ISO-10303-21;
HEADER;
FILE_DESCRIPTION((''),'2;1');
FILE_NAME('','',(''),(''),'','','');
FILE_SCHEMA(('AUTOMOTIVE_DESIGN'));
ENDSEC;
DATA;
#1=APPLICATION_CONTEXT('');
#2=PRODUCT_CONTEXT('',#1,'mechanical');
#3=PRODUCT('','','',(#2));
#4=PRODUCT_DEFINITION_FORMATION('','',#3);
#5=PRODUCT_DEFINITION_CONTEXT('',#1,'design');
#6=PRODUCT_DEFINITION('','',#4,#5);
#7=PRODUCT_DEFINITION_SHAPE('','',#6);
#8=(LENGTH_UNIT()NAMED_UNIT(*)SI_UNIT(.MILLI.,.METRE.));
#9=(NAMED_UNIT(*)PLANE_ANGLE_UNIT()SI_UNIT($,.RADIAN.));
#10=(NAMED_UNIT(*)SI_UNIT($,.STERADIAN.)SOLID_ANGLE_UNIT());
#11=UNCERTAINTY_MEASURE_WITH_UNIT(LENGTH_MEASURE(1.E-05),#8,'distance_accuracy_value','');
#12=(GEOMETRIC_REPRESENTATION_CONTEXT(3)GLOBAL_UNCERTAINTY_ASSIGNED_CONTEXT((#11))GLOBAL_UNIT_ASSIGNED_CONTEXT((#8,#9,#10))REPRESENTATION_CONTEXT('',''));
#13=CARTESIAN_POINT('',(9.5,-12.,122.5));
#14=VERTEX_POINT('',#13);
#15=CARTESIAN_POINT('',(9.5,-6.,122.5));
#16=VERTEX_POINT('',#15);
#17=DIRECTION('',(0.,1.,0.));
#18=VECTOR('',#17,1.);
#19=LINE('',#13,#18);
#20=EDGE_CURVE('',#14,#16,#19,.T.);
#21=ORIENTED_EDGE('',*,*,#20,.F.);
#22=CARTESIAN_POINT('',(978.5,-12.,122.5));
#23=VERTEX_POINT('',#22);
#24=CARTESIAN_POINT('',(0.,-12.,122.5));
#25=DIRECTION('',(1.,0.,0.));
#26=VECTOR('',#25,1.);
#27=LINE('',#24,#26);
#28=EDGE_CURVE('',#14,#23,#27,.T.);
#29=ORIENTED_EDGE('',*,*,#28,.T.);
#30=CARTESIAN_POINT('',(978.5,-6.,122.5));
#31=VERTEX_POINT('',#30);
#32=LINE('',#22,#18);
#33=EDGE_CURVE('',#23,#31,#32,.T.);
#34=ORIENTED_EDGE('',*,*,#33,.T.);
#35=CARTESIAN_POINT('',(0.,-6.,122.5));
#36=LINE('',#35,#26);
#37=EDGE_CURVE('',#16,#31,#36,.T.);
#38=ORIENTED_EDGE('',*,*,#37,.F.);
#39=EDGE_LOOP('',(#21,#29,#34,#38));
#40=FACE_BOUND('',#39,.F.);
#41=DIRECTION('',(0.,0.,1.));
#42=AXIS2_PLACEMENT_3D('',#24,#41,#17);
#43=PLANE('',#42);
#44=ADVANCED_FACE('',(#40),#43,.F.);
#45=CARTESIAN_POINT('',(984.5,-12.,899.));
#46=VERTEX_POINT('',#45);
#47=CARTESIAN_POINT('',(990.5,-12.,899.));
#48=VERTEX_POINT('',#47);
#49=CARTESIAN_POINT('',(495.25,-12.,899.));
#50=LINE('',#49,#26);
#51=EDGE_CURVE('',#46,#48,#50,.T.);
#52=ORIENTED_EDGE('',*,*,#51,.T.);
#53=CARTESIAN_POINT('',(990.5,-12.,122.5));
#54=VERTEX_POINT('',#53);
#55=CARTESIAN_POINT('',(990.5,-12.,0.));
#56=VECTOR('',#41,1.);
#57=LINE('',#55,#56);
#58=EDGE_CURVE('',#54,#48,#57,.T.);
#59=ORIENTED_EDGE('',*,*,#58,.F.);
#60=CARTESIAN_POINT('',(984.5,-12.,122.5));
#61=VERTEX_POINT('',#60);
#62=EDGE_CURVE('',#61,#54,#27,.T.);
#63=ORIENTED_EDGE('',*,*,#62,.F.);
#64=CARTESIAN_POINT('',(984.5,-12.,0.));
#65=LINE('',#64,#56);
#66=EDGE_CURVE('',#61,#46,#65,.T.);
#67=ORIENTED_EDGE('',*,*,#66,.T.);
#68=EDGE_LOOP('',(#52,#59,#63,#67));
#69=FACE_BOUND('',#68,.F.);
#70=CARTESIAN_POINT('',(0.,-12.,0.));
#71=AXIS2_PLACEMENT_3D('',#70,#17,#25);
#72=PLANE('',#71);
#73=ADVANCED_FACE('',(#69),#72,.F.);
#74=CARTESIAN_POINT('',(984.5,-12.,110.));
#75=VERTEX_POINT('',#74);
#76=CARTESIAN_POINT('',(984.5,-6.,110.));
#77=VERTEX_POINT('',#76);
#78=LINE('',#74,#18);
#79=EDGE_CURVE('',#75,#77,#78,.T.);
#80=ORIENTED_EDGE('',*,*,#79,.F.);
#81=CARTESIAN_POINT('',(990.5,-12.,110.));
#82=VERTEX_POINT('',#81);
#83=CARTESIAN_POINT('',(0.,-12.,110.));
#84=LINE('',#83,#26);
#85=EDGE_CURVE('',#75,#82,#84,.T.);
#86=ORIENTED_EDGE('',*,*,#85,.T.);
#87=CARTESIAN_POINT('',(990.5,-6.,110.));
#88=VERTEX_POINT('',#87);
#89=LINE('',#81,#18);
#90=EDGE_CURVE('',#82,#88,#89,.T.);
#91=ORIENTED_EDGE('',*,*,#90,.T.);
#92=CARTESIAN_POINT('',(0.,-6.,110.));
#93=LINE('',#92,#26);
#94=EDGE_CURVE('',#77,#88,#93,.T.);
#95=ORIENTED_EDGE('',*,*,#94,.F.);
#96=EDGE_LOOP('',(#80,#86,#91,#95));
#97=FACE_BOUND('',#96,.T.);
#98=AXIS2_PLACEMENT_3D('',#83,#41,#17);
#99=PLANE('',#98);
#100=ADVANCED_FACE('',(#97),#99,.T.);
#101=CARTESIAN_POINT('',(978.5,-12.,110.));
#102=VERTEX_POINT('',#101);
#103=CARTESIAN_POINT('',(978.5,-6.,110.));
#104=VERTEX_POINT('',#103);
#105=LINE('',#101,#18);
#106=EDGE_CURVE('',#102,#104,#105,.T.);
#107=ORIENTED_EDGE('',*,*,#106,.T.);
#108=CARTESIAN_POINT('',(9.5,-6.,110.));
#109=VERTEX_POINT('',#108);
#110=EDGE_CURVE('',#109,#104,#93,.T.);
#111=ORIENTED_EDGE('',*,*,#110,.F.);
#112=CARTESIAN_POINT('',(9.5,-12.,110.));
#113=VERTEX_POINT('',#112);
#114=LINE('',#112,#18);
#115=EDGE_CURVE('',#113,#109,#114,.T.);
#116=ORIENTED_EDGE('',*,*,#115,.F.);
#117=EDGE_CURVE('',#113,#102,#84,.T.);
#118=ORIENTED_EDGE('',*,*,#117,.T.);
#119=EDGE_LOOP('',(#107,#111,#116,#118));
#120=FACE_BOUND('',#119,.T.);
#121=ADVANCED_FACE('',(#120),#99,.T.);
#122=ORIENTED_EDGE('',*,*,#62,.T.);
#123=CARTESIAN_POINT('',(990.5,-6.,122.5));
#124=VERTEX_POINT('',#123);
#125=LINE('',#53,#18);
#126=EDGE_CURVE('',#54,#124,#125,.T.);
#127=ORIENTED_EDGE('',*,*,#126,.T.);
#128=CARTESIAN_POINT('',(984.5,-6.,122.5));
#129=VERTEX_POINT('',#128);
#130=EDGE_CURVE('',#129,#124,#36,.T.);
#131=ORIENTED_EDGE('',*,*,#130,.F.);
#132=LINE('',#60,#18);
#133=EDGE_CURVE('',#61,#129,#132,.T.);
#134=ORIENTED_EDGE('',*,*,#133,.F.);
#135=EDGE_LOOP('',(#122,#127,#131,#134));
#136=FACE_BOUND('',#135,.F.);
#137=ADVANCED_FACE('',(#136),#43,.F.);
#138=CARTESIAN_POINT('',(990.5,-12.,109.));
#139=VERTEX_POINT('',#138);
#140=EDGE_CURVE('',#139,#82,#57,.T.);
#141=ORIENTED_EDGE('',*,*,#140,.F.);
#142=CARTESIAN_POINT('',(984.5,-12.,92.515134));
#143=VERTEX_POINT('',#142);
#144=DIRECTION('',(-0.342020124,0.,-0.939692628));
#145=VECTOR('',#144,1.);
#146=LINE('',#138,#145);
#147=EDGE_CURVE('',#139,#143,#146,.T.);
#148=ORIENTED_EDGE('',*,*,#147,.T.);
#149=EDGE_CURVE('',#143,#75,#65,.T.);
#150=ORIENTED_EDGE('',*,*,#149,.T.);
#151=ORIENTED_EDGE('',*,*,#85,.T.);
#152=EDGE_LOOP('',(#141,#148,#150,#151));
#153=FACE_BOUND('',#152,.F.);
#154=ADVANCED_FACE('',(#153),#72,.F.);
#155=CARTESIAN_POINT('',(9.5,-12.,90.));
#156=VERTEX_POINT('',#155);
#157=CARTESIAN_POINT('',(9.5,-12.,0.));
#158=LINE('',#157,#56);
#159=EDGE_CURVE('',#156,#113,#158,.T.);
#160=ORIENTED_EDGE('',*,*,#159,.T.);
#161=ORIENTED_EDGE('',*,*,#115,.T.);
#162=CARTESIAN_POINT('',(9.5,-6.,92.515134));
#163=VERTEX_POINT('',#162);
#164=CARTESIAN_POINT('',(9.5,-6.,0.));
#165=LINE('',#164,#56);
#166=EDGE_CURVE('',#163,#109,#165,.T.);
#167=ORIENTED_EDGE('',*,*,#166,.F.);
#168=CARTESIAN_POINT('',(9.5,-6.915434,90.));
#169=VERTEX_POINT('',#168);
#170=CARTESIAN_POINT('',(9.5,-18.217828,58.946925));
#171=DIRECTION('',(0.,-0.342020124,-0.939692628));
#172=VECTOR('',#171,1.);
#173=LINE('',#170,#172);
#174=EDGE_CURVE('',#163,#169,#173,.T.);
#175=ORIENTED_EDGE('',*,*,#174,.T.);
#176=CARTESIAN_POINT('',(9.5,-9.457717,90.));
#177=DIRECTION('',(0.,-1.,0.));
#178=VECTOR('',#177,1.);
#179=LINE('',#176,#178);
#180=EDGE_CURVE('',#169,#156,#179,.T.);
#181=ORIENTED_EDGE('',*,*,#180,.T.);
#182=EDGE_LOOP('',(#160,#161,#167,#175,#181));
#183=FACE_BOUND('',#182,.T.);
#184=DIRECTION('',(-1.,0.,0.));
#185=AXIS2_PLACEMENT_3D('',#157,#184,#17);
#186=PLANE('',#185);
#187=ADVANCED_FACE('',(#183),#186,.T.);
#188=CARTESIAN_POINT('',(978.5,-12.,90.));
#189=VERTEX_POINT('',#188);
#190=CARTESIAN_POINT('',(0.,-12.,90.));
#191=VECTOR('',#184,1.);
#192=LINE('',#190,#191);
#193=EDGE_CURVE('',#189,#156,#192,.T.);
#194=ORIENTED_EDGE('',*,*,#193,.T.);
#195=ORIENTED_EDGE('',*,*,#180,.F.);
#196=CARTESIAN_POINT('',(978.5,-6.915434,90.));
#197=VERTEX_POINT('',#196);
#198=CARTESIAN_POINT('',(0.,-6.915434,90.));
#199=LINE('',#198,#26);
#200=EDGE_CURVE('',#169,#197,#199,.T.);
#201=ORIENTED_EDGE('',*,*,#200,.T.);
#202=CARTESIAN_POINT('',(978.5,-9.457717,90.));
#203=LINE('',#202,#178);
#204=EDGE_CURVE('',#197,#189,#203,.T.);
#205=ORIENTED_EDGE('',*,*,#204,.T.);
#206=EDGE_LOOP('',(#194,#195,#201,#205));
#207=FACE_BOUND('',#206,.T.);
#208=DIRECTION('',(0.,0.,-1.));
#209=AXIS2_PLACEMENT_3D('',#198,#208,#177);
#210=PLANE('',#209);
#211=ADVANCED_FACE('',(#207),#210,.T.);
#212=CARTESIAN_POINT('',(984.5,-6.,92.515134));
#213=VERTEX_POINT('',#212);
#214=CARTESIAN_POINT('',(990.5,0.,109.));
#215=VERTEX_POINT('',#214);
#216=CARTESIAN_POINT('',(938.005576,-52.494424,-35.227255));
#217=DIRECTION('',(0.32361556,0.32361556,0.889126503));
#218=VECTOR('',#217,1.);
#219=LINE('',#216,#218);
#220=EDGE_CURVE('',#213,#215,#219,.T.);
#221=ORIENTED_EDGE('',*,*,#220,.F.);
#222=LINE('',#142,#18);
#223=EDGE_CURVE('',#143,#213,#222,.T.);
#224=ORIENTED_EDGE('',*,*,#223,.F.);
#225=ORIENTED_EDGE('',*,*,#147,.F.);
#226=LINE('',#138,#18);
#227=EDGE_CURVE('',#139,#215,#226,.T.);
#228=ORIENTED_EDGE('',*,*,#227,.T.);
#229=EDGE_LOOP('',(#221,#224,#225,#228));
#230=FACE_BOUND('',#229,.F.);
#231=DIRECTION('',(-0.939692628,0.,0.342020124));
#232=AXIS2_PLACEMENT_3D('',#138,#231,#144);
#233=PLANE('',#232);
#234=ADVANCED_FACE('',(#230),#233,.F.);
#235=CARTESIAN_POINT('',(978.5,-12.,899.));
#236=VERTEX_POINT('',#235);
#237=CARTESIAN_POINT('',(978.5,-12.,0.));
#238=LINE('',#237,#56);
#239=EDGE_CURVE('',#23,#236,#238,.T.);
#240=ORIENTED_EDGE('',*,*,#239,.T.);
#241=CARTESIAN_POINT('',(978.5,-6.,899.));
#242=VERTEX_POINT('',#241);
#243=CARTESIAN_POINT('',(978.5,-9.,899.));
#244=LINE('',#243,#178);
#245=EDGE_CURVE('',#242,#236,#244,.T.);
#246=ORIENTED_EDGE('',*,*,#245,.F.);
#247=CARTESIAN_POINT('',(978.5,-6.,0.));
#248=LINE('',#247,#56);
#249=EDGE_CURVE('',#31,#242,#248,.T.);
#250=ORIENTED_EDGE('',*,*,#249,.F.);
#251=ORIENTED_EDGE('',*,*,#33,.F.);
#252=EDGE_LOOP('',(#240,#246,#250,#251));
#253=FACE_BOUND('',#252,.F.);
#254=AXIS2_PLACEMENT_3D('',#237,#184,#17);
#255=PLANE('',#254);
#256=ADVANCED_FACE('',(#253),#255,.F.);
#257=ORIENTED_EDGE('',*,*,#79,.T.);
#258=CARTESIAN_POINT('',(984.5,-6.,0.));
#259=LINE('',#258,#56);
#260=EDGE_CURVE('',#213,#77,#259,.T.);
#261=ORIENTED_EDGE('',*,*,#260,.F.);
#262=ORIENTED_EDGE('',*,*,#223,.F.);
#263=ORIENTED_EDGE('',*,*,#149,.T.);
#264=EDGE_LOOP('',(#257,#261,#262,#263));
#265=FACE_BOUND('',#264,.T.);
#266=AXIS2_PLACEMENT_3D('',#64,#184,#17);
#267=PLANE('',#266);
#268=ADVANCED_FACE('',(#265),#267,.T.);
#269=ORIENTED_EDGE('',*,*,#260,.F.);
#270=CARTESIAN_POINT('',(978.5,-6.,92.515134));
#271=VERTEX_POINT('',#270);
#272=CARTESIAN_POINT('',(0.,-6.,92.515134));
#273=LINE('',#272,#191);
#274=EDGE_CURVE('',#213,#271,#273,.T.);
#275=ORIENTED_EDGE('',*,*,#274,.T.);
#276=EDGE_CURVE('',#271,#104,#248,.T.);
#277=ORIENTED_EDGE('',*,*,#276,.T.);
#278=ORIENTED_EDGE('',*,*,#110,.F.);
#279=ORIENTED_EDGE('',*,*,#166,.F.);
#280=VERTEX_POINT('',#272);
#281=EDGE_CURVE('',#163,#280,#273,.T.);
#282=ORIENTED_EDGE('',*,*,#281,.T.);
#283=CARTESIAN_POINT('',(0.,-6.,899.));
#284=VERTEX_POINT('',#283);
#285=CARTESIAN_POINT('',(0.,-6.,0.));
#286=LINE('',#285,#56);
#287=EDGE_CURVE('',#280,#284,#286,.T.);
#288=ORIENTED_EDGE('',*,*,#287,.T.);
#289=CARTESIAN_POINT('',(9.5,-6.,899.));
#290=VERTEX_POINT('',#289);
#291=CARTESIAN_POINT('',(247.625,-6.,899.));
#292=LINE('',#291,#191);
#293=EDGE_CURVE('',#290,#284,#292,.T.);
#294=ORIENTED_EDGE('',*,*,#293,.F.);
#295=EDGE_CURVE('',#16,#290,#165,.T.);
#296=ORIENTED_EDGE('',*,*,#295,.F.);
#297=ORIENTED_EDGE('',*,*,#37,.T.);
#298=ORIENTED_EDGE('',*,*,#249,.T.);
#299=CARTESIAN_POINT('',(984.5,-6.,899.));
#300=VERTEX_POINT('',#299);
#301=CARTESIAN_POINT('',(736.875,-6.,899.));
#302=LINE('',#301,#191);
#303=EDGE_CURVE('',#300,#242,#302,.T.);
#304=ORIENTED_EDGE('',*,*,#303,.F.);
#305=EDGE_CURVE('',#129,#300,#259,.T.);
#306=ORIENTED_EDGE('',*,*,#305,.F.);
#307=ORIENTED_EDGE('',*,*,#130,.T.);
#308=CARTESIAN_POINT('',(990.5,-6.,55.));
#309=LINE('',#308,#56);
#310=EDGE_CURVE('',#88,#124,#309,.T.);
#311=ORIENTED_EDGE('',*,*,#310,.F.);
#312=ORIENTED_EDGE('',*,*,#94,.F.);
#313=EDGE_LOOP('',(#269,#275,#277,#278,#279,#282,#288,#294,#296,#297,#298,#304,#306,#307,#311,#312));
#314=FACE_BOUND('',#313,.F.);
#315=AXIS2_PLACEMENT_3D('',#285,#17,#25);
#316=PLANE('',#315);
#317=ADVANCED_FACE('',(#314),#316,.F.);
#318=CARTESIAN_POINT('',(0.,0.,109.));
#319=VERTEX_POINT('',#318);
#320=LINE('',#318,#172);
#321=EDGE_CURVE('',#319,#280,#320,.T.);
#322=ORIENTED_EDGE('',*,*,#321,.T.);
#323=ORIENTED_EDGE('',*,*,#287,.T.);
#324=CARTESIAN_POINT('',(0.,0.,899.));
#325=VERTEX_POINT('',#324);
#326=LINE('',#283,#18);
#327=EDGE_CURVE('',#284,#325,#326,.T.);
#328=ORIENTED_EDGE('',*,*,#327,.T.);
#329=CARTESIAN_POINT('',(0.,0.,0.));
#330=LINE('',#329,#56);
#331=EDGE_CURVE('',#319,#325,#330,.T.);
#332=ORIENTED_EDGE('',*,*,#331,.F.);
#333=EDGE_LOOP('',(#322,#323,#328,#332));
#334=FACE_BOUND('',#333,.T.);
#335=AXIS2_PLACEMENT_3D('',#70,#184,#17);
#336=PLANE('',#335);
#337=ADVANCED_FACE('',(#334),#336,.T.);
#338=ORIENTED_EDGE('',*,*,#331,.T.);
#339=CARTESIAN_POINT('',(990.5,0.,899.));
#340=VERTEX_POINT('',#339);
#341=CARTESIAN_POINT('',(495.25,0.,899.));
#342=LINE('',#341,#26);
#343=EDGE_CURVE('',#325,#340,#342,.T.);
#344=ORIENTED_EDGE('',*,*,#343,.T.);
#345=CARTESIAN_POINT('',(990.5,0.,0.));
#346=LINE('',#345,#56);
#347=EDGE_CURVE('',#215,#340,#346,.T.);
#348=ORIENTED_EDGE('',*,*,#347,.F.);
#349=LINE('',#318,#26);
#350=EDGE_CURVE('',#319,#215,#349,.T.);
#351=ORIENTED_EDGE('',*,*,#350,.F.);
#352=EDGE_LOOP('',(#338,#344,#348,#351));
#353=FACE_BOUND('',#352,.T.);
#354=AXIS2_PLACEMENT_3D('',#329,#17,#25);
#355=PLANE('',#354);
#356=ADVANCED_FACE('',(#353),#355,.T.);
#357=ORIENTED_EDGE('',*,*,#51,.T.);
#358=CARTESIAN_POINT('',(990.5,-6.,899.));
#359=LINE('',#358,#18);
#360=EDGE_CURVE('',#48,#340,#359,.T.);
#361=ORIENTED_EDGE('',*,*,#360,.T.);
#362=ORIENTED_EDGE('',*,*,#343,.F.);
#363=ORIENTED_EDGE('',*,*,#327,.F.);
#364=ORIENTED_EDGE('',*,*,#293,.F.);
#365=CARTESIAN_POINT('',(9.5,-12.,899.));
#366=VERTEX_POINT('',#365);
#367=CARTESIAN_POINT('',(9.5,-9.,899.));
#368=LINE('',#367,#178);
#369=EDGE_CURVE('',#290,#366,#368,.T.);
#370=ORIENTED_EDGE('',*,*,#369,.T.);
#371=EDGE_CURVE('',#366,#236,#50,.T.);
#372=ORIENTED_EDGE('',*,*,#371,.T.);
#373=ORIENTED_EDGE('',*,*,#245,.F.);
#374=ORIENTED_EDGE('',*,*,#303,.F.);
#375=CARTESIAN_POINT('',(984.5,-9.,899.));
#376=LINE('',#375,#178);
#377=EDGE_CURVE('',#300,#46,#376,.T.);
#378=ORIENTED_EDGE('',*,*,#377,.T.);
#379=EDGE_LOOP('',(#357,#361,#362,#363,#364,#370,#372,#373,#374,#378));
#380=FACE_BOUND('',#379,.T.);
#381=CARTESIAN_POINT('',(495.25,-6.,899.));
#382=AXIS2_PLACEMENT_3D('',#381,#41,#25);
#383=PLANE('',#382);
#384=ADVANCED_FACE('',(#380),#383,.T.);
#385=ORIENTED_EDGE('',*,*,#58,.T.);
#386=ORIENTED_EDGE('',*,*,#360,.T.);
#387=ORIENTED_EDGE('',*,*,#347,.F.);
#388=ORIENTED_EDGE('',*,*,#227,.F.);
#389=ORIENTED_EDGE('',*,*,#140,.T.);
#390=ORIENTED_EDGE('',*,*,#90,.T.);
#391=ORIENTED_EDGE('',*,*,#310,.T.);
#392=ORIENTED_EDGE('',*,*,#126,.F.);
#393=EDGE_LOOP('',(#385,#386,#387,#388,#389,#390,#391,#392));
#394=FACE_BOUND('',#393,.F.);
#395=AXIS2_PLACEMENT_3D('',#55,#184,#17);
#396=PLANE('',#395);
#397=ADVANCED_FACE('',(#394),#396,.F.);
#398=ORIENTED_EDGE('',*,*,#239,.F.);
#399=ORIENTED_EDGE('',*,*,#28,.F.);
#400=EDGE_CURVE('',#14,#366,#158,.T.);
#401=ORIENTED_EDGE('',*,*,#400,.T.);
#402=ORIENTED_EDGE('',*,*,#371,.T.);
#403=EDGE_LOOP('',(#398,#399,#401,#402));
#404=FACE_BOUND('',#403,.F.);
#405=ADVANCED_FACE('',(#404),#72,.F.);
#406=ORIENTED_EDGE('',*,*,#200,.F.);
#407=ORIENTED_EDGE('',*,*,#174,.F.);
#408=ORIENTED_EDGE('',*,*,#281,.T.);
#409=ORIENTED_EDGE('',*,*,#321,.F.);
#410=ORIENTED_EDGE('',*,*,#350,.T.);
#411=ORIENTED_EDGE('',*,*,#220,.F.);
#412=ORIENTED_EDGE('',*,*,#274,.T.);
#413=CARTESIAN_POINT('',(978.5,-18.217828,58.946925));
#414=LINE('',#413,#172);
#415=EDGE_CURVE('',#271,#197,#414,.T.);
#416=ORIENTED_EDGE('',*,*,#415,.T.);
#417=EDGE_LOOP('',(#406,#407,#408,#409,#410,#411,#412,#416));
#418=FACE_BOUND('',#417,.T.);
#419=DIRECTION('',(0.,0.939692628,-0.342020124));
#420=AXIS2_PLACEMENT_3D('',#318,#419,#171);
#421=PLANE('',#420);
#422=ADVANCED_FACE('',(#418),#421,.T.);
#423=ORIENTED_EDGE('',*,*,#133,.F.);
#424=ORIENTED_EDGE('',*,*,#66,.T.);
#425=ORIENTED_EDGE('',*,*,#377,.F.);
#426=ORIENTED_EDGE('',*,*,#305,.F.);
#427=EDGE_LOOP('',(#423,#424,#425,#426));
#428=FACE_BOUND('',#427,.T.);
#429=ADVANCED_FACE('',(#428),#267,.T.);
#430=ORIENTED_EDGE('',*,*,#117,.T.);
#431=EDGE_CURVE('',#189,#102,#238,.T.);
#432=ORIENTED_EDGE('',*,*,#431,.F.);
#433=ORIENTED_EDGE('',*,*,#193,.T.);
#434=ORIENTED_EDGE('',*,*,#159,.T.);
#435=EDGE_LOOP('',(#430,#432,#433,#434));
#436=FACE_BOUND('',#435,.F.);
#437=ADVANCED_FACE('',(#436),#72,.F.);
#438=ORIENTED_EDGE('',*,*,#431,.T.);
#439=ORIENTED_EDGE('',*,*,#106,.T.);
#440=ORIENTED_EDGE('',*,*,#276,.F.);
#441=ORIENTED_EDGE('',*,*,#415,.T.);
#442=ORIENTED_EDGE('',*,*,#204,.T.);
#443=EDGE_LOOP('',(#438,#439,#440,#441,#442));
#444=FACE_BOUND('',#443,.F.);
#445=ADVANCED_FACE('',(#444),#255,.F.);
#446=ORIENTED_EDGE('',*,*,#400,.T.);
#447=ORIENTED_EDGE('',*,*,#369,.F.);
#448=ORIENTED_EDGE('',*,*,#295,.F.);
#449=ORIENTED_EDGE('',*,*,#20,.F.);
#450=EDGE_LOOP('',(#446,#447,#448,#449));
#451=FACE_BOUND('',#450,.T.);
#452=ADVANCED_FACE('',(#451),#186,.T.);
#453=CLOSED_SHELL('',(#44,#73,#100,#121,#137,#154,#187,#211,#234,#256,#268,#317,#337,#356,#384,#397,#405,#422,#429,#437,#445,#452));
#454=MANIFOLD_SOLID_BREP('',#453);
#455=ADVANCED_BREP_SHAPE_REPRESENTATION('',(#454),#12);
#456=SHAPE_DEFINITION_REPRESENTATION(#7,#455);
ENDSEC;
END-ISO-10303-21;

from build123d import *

# Parameters (mm, degrees)
F0_W      = 990.5
F0_H      = 12
F1_DEPTH  = 899
F2_W      = 9.5
F2_H      = 6
F3_DEPTH  = 899.001
F4_W      = 6
F4_H      = 6
F5_DEPTH  = 899.001
F6_W      = 6
F6_H      = 12.5
F7_DEPTH  = 990.501
F9_DEPTH  = 990.501
F11_DEPTH = 12.001


with BuildPart() as f1:
    # F0 (on Top) → F1 (new body)
    with BuildSketch(Plane.XY):
        with Locations((495.25, -6)):
            Rectangle(F0_W, F0_H)
    extrude(amount=F1_DEPTH)

    # F2 (on Top) → F3 (cut, through all)
    with BuildSketch(Plane.XY):
        with Locations((4.75, -9)):
            Rectangle(F2_W, F2_H)
    extrude(amount=F3_DEPTH, mode=Mode.SUBTRACT)

    # F4 (on Top) → F5 (cut, through all)
    with BuildSketch(Plane.XY):
        with Locations((981.5, -9)):
            Rectangle(F4_W, F4_H)
    extrude(amount=F5_DEPTH, mode=Mode.SUBTRACT)

    # F6 (on Right) → F7 (cut, through all)
    with BuildSketch(Plane.YZ):
        with Locations((-9, 116.25)):
            Rectangle(F6_W, F6_H)
    extrude(amount=F7_DEPTH, mode=Mode.SUBTRACT)

    # F8 (on Right) → F9 (cut, through all)
    with BuildSketch(Plane.YZ):
        Polygon((-25, 0), (0, 0), (0, 109), (-6.915434, 90), (-25, 90), align=None)
    extrude(amount=F9_DEPTH, mode=Mode.SUBTRACT)

    # F10 (on face) → F11 (cut, through all)
    with BuildSketch(Plane.XZ.offset(12)):
        Polygon((983.584566, 90), (990.5, 90), (990.5, 109), align=None)
    extrude(amount=-F11_DEPTH, mode=Mode.SUBTRACT)


solid = f1.part
